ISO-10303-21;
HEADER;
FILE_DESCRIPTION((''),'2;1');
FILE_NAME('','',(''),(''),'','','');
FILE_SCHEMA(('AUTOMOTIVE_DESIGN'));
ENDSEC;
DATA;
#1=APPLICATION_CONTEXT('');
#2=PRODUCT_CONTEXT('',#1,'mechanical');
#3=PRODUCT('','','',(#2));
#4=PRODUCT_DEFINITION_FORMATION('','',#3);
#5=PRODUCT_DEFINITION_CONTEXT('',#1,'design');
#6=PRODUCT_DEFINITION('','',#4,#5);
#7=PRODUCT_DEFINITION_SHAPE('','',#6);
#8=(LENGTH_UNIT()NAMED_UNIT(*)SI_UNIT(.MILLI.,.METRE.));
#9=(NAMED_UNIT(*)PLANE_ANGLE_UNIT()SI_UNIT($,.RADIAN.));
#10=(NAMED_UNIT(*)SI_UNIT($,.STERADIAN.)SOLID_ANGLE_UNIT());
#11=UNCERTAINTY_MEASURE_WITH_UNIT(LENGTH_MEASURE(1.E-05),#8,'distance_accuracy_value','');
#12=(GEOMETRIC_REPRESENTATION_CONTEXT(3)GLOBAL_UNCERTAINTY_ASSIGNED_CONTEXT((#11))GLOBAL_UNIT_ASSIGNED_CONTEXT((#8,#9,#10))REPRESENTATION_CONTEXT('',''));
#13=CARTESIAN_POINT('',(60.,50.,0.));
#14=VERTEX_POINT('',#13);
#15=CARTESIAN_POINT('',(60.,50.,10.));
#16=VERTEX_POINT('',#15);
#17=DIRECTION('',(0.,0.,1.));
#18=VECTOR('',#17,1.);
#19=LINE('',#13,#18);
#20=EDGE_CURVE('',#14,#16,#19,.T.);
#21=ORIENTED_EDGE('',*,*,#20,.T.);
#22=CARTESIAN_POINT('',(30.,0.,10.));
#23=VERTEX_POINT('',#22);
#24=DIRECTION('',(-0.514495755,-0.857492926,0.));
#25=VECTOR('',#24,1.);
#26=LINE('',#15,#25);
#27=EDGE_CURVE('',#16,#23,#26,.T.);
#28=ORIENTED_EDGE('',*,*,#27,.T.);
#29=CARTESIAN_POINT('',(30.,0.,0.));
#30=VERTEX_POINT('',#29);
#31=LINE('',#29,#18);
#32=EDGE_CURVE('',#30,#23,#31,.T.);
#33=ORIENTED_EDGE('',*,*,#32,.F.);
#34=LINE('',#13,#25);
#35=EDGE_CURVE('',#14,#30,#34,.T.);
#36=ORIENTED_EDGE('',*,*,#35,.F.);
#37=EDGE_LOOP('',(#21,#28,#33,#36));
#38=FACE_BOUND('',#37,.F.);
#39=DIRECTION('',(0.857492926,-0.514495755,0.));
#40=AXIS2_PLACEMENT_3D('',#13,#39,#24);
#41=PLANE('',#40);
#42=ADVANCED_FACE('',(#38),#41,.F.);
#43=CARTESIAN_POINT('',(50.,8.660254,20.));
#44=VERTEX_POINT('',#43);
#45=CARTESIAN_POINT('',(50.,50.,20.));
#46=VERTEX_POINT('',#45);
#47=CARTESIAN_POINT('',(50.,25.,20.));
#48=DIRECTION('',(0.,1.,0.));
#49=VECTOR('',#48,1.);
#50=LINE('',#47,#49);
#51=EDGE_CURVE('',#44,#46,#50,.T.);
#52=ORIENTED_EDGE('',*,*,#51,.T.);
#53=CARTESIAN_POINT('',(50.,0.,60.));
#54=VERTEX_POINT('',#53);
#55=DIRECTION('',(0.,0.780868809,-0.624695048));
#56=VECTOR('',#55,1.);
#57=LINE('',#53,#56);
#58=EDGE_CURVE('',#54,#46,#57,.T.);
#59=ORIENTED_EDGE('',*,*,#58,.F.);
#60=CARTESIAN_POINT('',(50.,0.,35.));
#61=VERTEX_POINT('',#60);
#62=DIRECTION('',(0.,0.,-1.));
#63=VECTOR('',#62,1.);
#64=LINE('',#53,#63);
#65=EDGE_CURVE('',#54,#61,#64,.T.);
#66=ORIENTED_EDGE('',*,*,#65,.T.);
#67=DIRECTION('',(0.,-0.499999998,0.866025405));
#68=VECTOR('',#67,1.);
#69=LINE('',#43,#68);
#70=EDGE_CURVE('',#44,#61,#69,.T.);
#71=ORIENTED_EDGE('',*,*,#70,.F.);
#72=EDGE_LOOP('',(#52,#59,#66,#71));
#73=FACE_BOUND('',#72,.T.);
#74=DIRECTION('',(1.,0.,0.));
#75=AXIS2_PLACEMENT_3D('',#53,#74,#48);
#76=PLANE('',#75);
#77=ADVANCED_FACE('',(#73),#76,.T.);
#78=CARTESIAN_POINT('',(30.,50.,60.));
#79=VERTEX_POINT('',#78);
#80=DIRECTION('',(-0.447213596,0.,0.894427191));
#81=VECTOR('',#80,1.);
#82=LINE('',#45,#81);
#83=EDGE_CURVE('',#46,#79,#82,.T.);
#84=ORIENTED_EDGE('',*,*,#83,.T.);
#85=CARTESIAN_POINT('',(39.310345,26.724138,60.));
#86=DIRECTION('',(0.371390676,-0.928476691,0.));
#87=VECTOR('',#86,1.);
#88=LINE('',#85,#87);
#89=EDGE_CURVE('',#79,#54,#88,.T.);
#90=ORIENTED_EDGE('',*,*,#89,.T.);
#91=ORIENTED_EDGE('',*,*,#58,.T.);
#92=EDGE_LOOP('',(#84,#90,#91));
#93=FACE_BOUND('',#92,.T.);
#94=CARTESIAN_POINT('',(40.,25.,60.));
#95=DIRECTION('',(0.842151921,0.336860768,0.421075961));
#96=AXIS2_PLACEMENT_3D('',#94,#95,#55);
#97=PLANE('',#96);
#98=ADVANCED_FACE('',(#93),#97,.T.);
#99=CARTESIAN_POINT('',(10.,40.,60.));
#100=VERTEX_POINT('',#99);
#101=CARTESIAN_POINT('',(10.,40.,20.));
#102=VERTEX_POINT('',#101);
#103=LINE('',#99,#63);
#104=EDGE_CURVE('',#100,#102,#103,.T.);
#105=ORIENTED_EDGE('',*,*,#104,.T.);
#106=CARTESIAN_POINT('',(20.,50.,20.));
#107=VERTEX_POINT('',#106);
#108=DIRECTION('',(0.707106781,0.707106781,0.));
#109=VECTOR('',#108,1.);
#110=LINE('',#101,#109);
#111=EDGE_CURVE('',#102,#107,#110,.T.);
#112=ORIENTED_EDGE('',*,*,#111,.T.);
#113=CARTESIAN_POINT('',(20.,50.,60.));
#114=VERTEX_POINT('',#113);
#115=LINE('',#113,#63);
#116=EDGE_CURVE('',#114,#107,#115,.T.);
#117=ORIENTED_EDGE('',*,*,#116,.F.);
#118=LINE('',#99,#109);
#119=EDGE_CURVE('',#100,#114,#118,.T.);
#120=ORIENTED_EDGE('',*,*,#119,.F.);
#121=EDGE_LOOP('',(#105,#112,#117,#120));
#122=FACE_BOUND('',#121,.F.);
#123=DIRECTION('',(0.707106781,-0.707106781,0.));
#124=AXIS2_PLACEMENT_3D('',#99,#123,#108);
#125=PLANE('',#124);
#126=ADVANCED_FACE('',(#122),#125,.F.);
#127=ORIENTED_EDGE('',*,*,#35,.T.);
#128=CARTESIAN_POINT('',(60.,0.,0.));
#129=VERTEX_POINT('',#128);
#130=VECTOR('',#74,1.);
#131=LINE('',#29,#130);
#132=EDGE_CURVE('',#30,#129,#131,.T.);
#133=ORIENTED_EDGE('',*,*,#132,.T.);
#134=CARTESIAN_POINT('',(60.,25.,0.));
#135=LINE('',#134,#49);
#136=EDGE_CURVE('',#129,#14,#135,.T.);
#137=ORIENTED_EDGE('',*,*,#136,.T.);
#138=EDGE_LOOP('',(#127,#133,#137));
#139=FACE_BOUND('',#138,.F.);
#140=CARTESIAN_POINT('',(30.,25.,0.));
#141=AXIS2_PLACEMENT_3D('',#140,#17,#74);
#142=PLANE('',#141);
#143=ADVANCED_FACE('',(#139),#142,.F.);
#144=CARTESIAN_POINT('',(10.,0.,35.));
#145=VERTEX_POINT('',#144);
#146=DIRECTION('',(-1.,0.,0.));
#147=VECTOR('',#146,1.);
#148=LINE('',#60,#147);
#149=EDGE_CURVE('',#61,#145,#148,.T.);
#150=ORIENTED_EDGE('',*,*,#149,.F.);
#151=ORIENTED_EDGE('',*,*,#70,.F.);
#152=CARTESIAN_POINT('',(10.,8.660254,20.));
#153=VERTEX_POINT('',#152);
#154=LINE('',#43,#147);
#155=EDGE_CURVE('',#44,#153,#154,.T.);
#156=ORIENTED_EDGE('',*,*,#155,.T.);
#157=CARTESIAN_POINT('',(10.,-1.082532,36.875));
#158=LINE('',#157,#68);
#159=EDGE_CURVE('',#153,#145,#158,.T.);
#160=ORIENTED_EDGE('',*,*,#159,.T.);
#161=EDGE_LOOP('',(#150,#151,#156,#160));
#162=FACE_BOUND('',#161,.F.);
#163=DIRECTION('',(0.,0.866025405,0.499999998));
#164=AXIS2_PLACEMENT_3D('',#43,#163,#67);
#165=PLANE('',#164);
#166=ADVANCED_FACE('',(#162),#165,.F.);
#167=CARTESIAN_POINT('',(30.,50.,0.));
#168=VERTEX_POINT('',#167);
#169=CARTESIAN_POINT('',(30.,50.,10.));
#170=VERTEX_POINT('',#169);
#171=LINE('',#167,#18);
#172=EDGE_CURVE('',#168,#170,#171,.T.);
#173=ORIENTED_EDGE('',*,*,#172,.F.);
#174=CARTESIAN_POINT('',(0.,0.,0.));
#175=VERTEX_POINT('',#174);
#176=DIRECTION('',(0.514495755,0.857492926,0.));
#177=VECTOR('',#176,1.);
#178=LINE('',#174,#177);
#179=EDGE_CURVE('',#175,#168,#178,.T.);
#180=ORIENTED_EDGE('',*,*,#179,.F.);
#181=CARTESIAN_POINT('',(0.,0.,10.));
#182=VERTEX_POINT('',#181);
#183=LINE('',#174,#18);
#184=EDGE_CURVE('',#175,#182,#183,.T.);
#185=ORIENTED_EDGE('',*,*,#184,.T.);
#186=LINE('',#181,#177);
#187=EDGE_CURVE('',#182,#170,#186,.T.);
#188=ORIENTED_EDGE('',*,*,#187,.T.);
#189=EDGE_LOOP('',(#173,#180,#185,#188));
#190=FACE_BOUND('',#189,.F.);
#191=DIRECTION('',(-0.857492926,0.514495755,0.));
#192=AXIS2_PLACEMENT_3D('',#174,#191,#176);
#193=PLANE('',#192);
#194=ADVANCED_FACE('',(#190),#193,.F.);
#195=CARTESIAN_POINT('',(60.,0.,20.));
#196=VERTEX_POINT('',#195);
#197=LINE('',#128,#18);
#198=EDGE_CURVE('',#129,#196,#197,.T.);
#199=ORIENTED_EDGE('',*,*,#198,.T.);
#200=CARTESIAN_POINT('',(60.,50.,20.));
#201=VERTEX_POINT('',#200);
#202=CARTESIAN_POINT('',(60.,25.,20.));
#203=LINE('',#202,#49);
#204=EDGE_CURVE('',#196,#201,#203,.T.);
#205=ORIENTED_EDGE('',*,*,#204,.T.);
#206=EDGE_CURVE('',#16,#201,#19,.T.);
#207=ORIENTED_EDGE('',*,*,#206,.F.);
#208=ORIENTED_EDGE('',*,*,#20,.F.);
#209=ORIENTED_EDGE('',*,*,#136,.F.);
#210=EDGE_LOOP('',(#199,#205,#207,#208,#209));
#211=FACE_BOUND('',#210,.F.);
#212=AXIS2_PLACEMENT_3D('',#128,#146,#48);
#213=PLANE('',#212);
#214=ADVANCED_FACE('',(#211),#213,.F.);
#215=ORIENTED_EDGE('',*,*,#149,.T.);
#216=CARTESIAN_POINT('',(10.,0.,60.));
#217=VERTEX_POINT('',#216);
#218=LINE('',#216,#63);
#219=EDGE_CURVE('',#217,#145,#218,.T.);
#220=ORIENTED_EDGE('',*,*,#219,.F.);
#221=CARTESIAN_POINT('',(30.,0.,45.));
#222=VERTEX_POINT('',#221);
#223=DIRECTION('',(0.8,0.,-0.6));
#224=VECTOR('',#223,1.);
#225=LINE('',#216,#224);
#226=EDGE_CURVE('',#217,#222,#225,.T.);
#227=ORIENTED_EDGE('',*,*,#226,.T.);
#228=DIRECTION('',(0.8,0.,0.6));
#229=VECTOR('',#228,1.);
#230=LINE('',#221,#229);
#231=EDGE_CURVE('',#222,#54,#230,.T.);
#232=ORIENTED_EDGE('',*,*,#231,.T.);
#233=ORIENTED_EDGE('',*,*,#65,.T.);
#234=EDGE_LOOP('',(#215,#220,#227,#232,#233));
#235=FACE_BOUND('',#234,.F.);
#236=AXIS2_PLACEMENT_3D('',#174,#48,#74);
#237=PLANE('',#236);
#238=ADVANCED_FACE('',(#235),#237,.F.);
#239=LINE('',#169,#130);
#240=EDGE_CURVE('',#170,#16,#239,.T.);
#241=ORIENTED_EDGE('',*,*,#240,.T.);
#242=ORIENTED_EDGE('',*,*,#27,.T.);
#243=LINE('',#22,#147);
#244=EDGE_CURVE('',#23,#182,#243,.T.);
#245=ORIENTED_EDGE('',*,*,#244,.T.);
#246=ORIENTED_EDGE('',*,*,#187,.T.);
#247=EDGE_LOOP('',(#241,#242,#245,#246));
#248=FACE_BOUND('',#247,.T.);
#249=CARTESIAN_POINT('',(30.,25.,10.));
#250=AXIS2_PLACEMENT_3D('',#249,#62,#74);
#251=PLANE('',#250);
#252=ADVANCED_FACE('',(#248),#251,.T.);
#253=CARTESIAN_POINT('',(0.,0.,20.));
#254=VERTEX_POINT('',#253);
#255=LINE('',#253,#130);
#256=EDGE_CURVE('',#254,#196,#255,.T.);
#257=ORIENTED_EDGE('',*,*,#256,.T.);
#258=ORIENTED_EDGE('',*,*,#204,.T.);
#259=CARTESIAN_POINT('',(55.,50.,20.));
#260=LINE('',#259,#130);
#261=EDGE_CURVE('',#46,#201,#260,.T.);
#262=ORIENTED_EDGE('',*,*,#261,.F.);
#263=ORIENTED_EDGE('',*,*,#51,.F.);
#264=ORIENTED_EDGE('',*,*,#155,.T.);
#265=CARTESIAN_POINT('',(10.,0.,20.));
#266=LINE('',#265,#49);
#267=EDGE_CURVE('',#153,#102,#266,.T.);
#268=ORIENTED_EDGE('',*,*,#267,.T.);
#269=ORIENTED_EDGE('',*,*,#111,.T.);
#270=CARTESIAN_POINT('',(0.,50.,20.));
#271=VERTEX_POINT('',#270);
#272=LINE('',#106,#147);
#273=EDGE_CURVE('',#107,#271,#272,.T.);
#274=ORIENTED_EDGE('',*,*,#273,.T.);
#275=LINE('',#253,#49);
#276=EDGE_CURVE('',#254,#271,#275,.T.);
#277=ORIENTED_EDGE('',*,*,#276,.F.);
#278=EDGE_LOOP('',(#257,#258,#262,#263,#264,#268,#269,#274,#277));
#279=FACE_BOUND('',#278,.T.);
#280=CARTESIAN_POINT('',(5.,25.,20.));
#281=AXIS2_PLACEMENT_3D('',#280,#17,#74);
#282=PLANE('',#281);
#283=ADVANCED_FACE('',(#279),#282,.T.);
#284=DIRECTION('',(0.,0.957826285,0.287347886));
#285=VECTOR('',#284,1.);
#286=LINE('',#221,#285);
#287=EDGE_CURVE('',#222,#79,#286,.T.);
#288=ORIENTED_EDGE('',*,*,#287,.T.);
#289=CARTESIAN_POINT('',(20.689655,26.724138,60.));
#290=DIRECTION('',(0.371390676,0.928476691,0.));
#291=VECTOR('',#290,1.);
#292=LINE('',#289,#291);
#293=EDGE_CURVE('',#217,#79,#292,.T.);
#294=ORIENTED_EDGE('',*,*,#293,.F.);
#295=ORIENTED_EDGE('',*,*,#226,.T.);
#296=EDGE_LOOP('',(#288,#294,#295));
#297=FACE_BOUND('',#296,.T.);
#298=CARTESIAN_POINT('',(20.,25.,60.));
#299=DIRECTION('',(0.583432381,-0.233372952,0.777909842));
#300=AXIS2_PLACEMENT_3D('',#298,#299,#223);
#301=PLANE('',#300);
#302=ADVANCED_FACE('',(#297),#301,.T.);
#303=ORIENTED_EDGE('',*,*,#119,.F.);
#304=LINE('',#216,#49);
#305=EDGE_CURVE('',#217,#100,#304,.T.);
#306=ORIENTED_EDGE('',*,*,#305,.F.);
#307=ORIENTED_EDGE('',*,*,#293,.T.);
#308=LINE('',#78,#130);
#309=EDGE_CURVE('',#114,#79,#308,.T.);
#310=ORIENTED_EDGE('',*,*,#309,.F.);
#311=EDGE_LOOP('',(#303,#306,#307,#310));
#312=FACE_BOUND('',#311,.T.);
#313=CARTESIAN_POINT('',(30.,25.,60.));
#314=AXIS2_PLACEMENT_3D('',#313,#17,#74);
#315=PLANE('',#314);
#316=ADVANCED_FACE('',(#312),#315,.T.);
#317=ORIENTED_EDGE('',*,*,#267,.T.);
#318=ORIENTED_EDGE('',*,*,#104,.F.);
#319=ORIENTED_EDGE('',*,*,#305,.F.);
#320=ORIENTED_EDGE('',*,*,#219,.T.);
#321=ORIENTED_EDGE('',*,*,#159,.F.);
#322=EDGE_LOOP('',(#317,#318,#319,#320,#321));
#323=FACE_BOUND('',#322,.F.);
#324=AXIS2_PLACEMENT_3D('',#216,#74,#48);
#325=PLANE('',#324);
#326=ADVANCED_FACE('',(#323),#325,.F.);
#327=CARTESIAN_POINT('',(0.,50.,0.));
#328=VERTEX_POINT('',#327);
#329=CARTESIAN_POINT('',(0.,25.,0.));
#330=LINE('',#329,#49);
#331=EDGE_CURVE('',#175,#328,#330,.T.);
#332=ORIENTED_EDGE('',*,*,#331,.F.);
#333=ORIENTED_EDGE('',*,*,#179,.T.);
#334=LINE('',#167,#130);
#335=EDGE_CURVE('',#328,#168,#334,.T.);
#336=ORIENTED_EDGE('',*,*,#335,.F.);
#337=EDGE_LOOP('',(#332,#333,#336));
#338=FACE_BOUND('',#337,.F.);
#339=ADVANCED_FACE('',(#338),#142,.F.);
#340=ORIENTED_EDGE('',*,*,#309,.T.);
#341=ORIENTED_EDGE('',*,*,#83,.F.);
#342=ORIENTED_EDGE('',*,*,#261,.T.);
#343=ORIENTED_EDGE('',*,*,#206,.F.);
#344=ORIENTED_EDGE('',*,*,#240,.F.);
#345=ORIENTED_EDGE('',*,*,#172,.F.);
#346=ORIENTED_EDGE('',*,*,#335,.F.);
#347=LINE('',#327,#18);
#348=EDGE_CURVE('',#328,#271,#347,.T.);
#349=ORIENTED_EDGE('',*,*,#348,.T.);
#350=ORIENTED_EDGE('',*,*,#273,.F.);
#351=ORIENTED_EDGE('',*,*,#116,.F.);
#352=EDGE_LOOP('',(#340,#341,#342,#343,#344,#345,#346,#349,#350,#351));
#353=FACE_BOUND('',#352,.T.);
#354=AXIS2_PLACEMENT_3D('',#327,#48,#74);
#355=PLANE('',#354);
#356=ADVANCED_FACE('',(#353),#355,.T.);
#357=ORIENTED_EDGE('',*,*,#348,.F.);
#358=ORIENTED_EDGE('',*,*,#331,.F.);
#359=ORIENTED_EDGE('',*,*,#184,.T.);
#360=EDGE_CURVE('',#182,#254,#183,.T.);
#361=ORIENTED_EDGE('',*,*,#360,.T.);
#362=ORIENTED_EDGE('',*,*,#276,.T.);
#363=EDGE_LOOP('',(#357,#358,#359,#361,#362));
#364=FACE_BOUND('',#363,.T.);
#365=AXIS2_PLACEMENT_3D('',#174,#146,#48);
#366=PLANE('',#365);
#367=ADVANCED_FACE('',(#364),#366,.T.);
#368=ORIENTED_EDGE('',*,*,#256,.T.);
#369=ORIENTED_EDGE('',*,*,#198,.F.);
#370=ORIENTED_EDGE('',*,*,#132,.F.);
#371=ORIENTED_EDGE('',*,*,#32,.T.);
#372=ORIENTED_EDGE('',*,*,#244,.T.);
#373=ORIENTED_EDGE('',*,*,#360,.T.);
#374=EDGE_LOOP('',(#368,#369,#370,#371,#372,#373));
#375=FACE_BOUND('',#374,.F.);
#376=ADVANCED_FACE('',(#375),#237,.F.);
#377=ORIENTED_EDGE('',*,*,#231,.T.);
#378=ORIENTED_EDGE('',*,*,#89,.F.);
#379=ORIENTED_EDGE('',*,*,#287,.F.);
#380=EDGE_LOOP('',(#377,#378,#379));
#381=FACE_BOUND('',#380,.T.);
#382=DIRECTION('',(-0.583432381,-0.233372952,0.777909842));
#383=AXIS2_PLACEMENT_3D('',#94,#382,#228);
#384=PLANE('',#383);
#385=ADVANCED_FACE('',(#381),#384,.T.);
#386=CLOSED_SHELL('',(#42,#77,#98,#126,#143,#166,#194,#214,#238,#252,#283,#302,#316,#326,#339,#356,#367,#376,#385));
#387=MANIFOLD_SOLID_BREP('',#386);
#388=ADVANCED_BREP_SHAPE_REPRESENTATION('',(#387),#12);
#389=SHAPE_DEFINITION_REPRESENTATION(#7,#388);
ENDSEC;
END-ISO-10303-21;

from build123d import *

# Parameters (mm, degrees)
F0_W      = 60
F0_H      = 50
F1_DEPTH  = 60
F2_W      = 10
F2_H      = 50
F3_DEPTH  = 40
F5_DEPTH  = 10
F10_DEPTH = 50.001


with BuildPart() as f1:
    # F0 (on Top) → F1 (new body)
    with BuildSketch(Plane.XY):
        with Locations((30, 25)):
            Rectangle(F0_W, F0_H)
    extrude(amount=F1_DEPTH)

    # F2 (on face) → F3 (cut)
    with BuildSketch(Plane.XY.offset(60)):
        Polygon((0, 50), (0, 0), (10, 0), (10, 40), (10, 50), align=None)
        with Locations((55, 25)):
            Rectangle(F2_W, F2_H)
        Polygon((10, 50), (10, 40), (20, 50), align=None)
    extrude(amount=-F3_DEPTH, mode=Mode.SUBTRACT)

    # F4 (on face) → F5 (cut)
    with BuildSketch(Plane(origin=(0, 0, 0), x_dir=(1, 0, 0), z_dir=(0, 0, -1))):
        Polygon((30, -50), (60, -50), (30, 0), (0, 0), align=None)
    extrude(amount=-F5_DEPTH, mode=Mode.SUBTRACT)

    # F8: sweep along a path in F7
    with BuildLine(Plane.YZ.offset(50)) as f8_path:
        Line((0, 45), (50, 60))
    # F6 (on face) → F8 (sweep, cut)
    with BuildSketch(Plane.XZ):
        Polygon((30, 45), (50, 60), (10, 60), align=None)
    sweep(path=f8_path.line, mode=Mode.SUBTRACT)

    # F9 (on face) → F10 (cut, through all)
    with BuildSketch(Plane.YZ.offset(50)):
        Polygon((0, 35), (0, 20), (8.660254, 20), align=None)
    extrude(amount=-F10_DEPTH, mode=Mode.SUBTRACT)

    # F13: sweep along a path in F12
    with BuildLine(Plane(origin=(0, 50, 0), x_dir=(-1, 0, 0), z_dir=(0, 1, 0))) as f13_path:
        Line((-50, 20), (-30, 60))
    # F11 (on face) → F13 (sweep, cut)
    with BuildSketch(Plane.YZ.offset(50)):
        Polygon((0, 60), (50, 20), (50, 60), align=None)
    sweep(path=f13_path.line, mode=Mode.SUBTRACT)


solid = f1.part
